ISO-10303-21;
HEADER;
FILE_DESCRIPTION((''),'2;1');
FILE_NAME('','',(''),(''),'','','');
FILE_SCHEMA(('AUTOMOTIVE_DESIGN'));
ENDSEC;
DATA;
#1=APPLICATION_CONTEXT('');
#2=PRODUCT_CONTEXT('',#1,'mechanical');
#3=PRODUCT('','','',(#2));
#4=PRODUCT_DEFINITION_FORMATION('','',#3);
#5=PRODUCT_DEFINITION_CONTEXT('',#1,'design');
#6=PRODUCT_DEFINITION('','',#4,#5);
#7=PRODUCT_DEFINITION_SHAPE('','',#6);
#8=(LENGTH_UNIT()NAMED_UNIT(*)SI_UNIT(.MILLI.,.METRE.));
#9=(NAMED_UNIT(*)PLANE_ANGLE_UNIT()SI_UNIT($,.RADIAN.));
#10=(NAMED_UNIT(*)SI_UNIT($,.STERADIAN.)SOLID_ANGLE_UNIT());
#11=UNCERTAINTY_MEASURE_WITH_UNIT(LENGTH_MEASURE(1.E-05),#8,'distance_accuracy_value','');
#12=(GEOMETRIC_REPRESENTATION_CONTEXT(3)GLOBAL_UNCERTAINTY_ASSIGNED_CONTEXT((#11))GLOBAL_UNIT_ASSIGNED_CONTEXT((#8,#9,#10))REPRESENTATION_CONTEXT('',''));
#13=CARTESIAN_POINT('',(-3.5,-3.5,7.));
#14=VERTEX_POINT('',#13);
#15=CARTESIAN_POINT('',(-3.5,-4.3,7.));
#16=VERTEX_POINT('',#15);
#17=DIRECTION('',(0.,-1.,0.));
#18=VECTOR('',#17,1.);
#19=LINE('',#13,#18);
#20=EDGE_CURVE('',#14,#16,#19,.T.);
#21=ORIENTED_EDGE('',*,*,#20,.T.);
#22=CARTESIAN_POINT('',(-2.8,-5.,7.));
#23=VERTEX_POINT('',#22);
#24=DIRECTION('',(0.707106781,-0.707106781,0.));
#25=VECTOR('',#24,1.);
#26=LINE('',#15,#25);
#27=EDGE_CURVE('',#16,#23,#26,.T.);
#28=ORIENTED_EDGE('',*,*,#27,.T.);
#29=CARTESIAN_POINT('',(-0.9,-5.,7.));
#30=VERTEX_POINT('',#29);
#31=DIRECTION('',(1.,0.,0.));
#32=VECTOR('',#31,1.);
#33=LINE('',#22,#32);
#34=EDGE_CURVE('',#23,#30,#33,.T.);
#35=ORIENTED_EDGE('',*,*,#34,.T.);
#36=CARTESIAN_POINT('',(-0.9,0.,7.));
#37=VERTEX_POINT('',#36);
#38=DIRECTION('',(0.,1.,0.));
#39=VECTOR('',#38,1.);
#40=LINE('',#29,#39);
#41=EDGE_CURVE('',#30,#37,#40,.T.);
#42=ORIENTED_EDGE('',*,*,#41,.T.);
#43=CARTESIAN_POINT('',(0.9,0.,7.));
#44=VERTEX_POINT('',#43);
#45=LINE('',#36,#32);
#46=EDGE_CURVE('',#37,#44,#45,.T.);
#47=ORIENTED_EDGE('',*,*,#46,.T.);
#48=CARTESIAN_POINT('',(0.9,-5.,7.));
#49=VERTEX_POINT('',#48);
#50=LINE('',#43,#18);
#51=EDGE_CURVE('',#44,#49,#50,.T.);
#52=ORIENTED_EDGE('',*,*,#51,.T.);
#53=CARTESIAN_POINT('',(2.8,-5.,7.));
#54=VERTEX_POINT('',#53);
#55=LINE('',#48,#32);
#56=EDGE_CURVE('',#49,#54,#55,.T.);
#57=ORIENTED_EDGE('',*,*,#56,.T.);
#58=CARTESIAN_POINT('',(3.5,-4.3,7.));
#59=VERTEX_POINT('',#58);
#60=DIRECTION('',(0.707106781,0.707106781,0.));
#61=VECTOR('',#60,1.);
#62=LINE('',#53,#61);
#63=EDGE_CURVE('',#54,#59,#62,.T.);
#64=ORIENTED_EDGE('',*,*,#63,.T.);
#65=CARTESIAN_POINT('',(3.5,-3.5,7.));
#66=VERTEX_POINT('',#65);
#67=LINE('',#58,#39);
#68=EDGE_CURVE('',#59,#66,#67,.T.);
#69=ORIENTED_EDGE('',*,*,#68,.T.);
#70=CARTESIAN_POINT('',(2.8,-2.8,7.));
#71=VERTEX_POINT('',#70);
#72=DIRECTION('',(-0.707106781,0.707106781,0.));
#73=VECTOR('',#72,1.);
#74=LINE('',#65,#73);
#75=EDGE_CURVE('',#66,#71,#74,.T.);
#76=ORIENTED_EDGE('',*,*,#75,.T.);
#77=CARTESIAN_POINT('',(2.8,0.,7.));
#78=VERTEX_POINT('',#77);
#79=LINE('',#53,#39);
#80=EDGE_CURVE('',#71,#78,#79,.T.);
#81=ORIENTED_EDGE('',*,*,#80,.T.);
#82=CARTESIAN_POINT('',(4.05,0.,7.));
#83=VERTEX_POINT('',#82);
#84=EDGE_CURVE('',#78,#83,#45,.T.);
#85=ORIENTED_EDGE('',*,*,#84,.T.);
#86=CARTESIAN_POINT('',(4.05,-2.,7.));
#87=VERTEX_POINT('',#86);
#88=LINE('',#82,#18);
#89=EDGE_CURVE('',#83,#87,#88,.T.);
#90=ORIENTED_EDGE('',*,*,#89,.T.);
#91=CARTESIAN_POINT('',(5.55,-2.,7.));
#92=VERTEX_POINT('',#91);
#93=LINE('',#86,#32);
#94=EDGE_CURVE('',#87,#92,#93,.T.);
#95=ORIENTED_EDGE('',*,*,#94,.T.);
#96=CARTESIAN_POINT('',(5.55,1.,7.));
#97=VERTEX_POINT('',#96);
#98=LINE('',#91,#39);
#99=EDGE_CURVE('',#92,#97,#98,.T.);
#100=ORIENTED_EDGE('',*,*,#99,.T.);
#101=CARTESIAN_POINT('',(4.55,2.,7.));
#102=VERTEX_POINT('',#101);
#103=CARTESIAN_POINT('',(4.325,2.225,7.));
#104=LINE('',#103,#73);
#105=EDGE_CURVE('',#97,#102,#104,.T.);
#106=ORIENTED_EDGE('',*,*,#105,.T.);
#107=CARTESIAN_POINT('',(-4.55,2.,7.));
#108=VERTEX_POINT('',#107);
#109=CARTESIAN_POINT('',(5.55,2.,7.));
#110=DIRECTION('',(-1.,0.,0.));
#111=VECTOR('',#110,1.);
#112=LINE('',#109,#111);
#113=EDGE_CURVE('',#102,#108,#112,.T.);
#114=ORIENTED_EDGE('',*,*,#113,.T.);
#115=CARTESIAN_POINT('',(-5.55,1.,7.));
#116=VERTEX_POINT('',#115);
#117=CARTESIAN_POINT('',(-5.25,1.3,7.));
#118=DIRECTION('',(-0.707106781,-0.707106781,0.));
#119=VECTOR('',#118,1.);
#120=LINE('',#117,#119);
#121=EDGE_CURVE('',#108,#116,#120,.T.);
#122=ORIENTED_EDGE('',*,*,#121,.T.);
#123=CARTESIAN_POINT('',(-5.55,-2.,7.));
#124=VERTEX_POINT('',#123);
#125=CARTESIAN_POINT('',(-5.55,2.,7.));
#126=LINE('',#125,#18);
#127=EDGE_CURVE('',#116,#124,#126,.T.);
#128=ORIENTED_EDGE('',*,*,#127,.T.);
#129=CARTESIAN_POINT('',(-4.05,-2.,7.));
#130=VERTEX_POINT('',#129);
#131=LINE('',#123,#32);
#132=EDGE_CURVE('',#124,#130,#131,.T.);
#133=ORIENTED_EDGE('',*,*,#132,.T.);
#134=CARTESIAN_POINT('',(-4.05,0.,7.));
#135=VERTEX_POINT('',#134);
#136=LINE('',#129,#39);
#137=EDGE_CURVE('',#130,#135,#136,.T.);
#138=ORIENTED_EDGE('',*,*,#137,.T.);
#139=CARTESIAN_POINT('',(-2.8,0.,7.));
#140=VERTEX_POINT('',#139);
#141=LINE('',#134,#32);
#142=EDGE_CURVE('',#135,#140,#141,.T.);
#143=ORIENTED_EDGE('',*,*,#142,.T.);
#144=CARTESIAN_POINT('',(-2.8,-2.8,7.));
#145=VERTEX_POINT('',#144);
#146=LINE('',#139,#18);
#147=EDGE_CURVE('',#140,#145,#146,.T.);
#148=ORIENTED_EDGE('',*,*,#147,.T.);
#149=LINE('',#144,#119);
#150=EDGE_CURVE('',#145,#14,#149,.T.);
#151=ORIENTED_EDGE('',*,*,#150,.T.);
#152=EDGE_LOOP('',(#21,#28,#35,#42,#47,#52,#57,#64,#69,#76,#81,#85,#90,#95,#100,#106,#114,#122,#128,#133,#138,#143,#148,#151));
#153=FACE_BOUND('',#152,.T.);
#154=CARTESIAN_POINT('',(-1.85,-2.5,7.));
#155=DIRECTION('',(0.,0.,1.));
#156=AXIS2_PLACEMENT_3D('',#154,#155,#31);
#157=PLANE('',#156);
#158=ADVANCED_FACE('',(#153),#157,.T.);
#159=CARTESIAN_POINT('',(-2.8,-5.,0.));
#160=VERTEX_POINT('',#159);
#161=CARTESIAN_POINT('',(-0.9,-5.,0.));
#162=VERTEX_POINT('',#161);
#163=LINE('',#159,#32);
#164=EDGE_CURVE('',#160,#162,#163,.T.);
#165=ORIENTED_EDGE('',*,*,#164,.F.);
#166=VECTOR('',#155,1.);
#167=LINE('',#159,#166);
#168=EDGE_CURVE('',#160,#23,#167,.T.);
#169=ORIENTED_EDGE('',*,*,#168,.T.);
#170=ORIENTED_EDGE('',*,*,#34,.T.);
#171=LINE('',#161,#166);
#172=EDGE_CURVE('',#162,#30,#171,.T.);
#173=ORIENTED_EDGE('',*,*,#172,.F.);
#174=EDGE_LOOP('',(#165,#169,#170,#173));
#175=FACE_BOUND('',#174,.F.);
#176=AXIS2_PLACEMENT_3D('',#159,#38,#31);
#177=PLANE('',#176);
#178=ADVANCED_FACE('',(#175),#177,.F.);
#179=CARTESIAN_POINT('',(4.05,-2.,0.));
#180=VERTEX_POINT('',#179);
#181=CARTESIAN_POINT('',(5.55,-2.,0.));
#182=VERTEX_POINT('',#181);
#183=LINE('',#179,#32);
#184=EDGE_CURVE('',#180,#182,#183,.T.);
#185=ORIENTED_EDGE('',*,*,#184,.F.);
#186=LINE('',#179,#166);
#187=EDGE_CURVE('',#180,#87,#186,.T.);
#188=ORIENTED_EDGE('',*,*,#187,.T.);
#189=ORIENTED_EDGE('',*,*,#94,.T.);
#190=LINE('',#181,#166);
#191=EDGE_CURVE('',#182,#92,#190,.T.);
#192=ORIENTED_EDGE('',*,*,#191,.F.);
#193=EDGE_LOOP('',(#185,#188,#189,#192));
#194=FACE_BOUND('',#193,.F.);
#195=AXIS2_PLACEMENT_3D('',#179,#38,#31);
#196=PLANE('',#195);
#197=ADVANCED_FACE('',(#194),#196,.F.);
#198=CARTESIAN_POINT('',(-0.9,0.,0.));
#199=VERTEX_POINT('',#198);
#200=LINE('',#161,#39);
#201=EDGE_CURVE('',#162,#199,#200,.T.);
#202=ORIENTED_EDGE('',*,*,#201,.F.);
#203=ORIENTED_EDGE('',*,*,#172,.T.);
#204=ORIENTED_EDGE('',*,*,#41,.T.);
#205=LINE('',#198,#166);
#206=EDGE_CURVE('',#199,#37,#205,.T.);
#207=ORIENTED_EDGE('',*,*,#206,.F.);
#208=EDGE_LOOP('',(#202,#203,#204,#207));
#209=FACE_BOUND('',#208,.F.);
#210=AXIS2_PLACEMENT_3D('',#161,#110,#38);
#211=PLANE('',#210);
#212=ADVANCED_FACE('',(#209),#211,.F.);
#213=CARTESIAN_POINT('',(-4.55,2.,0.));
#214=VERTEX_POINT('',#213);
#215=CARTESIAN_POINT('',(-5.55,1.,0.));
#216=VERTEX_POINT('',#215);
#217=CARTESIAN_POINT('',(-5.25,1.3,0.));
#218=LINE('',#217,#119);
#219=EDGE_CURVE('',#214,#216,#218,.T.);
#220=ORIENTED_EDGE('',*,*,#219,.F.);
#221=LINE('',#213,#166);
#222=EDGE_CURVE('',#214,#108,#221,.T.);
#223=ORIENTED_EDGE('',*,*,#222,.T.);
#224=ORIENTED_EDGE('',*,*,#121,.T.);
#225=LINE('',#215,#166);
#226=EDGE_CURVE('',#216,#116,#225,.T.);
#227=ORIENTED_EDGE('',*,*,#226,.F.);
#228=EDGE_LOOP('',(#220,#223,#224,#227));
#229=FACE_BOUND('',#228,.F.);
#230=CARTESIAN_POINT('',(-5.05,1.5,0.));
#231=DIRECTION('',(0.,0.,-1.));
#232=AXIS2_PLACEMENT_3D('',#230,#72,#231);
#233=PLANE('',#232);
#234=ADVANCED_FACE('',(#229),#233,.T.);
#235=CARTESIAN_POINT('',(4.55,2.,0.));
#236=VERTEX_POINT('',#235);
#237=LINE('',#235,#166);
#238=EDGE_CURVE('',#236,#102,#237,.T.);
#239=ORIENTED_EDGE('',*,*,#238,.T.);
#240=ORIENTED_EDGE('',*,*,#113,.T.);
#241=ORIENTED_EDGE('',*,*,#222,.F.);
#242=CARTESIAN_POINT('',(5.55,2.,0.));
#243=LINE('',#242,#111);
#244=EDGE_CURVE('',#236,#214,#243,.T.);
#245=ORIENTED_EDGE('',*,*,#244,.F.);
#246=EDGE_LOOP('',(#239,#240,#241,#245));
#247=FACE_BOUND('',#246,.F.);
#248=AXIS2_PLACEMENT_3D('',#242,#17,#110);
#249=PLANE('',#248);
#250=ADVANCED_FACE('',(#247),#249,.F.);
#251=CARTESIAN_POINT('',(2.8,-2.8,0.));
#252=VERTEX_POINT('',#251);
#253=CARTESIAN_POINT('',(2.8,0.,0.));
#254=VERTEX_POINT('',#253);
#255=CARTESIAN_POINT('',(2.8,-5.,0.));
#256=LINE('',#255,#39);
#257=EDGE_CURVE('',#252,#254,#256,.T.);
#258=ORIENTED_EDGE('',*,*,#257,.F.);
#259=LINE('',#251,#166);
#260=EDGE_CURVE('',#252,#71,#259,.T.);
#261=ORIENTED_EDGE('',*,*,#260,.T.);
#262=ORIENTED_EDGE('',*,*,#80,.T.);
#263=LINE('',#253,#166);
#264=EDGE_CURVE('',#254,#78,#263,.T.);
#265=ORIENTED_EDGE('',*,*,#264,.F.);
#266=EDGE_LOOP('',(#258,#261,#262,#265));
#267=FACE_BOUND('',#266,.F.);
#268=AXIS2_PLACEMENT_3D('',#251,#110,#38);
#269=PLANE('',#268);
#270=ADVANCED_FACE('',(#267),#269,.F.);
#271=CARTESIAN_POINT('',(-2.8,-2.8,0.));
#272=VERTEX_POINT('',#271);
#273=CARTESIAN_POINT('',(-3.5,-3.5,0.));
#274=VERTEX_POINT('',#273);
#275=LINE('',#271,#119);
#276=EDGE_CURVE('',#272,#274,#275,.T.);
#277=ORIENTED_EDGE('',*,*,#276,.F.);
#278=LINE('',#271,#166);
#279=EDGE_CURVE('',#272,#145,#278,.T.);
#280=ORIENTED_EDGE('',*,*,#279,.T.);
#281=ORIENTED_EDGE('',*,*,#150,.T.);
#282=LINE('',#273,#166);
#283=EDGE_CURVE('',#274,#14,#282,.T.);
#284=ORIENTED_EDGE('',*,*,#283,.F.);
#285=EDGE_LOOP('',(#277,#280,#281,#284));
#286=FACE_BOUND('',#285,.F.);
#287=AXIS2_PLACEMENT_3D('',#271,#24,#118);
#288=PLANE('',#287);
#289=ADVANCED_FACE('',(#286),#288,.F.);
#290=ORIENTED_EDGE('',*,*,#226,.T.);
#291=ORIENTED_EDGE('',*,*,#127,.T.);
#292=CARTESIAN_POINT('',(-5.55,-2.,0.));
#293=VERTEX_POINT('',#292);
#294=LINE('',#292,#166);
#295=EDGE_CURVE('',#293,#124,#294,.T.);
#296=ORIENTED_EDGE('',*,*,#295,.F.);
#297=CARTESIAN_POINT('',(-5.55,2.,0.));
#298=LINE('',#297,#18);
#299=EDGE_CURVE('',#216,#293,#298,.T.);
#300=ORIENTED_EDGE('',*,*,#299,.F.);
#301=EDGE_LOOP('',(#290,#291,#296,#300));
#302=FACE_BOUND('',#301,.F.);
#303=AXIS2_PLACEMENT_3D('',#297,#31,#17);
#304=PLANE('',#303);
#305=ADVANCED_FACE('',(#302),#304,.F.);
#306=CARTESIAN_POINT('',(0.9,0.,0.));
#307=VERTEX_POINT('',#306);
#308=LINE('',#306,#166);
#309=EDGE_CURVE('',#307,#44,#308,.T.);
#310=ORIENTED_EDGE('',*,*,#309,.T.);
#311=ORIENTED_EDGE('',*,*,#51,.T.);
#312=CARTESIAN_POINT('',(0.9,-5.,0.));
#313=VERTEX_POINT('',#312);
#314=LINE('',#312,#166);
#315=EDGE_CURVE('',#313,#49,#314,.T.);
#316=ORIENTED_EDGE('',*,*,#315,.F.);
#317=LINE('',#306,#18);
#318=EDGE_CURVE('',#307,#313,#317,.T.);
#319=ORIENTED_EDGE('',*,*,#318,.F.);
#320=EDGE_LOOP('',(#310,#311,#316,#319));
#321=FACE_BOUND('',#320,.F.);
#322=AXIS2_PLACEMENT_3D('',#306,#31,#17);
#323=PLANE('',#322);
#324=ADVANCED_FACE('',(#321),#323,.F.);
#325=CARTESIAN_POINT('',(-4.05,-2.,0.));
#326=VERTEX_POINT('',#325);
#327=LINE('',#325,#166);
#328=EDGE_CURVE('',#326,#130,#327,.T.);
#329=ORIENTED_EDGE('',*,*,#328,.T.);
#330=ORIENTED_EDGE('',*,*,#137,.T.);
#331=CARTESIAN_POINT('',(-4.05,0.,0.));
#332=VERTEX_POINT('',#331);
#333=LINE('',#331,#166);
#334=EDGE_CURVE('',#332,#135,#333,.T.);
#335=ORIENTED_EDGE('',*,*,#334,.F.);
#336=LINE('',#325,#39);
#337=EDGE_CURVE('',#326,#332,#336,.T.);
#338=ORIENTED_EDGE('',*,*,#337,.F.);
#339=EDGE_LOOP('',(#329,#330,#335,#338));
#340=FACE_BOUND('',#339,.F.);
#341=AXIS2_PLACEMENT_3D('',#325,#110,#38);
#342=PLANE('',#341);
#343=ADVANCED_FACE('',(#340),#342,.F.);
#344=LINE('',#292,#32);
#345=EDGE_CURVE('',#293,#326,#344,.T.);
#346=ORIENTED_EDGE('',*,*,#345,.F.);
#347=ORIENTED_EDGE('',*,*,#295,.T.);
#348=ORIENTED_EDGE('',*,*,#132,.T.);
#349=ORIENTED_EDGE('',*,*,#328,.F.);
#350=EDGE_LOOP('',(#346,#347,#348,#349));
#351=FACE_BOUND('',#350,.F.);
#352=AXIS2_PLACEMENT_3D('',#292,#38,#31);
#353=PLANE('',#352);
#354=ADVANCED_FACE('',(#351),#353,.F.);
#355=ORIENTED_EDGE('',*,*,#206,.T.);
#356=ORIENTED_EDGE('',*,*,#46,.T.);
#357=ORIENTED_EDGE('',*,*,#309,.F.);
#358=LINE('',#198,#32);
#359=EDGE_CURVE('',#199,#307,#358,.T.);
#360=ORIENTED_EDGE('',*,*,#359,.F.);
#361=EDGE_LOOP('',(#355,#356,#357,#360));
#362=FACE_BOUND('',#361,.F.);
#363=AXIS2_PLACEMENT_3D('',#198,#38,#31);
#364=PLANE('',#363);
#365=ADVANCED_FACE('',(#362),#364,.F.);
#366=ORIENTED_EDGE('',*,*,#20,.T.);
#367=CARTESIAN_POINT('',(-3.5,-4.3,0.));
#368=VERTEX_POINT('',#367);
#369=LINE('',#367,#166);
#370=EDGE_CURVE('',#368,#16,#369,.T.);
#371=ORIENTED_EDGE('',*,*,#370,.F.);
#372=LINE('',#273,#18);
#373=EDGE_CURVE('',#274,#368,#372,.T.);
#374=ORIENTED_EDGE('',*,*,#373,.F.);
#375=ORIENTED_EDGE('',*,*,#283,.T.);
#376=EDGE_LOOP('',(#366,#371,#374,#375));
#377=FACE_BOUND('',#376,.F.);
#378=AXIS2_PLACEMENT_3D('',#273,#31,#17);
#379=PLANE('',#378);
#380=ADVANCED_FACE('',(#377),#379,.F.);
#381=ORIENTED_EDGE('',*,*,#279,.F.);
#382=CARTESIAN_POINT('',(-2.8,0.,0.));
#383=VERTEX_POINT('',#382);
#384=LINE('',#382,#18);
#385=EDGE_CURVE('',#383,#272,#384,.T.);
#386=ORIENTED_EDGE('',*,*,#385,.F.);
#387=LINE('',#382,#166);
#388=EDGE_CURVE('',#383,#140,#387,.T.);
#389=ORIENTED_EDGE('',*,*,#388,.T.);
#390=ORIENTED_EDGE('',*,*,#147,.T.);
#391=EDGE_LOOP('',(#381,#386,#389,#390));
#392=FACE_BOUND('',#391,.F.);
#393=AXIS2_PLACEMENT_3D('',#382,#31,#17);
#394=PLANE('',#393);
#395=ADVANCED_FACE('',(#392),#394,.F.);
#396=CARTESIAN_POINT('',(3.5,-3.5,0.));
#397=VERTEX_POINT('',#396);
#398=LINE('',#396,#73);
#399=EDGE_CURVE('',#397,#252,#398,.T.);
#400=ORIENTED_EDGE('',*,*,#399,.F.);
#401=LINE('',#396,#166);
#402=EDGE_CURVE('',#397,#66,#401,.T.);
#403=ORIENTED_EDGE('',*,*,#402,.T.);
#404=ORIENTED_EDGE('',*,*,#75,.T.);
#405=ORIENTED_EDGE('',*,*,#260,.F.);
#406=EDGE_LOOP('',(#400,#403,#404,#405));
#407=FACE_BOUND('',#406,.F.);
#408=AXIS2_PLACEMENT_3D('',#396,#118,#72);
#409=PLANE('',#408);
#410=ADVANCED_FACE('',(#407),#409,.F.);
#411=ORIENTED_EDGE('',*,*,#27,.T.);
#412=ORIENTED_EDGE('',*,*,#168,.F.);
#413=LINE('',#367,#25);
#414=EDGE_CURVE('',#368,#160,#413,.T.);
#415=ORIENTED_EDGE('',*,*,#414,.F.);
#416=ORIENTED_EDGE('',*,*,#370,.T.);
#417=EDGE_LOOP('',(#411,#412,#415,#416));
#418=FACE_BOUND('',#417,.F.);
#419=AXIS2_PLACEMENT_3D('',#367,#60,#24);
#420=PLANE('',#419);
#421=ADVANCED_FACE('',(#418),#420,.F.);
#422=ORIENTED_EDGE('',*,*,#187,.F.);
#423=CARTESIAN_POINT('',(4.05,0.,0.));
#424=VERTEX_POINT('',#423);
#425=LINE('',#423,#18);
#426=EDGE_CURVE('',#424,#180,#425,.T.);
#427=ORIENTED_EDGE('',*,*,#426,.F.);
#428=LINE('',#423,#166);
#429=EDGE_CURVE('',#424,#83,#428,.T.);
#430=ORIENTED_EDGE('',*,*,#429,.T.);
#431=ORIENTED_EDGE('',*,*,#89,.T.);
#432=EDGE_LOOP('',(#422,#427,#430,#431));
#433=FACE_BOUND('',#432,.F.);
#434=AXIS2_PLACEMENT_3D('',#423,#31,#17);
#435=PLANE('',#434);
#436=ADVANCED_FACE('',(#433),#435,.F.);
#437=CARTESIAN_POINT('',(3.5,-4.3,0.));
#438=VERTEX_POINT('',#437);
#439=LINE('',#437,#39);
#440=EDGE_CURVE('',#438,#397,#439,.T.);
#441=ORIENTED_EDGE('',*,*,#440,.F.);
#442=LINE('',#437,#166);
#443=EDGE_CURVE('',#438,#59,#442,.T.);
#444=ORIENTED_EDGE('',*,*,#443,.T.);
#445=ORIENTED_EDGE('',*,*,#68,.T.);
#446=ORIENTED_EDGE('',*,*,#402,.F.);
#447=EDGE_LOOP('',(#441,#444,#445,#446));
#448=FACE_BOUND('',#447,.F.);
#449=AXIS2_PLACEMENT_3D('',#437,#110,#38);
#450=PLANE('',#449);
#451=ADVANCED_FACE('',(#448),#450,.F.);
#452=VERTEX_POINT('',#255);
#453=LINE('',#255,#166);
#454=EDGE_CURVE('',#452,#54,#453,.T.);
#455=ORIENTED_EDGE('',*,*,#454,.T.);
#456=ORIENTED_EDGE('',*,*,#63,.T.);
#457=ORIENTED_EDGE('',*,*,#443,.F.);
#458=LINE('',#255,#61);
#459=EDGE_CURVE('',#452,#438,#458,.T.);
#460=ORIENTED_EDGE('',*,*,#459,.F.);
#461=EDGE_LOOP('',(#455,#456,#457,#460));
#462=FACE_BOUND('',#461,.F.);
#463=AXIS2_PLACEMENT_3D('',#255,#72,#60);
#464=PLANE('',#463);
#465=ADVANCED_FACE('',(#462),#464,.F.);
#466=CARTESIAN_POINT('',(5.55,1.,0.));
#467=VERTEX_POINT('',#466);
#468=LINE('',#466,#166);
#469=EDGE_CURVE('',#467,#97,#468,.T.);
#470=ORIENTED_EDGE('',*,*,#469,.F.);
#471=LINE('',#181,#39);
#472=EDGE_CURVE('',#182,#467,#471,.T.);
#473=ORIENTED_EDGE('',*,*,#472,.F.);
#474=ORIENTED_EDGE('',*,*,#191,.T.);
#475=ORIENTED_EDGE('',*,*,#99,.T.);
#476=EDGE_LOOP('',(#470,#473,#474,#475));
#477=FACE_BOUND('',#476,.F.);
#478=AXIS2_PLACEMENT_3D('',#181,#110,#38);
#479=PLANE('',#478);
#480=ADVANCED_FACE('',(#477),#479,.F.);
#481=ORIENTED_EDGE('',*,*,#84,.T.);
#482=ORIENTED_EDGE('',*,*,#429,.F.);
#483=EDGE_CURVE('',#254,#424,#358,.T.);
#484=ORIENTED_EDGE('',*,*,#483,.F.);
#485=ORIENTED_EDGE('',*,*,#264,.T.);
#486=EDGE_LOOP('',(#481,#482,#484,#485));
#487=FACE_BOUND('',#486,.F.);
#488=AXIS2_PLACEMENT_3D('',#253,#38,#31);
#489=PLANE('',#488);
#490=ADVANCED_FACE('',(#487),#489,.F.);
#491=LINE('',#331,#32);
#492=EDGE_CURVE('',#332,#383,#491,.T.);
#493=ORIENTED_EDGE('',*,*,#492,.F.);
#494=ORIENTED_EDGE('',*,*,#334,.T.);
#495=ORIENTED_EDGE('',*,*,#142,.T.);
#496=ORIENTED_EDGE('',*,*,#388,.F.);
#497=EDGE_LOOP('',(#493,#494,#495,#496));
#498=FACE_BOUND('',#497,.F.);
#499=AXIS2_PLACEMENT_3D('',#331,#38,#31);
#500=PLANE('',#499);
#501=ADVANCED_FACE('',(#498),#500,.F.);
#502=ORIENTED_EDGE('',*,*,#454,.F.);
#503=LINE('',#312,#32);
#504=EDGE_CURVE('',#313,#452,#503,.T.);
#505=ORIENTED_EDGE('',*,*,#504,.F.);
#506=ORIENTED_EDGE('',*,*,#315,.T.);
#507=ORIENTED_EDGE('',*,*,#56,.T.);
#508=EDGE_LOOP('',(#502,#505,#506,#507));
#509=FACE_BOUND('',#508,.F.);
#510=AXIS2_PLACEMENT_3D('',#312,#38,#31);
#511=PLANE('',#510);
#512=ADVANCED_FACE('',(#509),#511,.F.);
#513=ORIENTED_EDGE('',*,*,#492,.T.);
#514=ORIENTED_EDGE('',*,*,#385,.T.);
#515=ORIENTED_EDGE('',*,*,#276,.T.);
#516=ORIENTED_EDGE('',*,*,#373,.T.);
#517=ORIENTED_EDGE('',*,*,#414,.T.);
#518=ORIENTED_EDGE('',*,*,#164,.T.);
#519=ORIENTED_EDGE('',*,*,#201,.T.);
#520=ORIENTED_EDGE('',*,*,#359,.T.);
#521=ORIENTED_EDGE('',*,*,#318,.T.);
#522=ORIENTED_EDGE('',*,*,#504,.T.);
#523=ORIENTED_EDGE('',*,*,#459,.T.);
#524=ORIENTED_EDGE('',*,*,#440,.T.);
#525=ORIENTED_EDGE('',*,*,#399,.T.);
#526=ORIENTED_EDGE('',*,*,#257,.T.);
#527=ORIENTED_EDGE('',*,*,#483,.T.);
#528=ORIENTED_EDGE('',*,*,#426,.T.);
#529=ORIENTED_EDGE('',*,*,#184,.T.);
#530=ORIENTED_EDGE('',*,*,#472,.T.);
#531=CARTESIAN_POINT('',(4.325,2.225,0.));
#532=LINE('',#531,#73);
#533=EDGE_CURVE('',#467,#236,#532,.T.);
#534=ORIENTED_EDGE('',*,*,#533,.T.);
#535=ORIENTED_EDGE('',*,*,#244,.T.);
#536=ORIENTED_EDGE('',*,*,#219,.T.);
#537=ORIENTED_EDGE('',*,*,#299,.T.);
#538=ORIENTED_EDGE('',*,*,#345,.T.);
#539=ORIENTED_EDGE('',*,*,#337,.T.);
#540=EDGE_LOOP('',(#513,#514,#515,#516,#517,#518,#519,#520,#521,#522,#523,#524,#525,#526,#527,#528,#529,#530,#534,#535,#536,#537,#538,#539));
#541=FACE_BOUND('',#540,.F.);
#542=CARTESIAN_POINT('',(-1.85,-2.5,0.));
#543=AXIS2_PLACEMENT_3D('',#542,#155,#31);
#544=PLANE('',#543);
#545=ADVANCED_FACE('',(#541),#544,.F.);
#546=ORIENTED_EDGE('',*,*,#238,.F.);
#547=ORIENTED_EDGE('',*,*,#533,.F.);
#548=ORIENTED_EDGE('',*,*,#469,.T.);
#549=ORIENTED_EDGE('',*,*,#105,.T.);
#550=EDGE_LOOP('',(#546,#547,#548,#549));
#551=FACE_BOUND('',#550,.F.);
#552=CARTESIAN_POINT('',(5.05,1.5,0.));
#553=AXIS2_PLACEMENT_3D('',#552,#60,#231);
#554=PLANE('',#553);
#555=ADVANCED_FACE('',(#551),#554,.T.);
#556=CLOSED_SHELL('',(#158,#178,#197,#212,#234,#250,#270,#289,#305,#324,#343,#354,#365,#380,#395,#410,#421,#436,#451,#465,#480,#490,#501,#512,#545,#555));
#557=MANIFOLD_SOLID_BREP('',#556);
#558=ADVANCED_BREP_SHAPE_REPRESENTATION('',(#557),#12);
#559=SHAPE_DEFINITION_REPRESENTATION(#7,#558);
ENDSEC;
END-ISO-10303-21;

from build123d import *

# Parameters (mm, degrees)
F1_DEPTH = 7
F2_SIZE  = 1


with BuildPart() as f1:
    # F0 (on Top) → F1 (new body)
    with BuildSketch(Plane.XY):
        Polygon((-0.9, -5), (-0.9, 0), (-2.8, 0), (-2.8, -2.8), (-2.8, -5), align=None)
        Polygon((-2.8, 0), (-0.9, 0), (0.9, 0), (2.8, 0), (4.05, 0), (4.05, -2), (5.55, -2), (5.55, 2), (0, 2), (-5.55, 2), (-5.55, -2), (-4.05, -2), (-4.05, 0), align=None)
        Polygon((2.8, 0), (0.9, 0), (0.9, -5), (2.8, -5), (2.8, -2.8), align=None)
        Polygon((-2.8, -5), (-2.8, -2.8), (-3.5, -3.5), (-3.5, -4.3), align=None)
        Polygon((2.8, -2.8), (2.8, -5), (3.5, -4.3), (3.5, -3.5), align=None)
    extrude(amount=F1_DEPTH)

    # F2
    f2_edges = [f1.edges().sort_by_distance(p)[0] for p in [
        (-5.55, 2, 3.5),
        (5.55, 2, 3.5),
    ]]
    chamfer(f2_edges, length=F2_SIZE)


solid = f1.part
